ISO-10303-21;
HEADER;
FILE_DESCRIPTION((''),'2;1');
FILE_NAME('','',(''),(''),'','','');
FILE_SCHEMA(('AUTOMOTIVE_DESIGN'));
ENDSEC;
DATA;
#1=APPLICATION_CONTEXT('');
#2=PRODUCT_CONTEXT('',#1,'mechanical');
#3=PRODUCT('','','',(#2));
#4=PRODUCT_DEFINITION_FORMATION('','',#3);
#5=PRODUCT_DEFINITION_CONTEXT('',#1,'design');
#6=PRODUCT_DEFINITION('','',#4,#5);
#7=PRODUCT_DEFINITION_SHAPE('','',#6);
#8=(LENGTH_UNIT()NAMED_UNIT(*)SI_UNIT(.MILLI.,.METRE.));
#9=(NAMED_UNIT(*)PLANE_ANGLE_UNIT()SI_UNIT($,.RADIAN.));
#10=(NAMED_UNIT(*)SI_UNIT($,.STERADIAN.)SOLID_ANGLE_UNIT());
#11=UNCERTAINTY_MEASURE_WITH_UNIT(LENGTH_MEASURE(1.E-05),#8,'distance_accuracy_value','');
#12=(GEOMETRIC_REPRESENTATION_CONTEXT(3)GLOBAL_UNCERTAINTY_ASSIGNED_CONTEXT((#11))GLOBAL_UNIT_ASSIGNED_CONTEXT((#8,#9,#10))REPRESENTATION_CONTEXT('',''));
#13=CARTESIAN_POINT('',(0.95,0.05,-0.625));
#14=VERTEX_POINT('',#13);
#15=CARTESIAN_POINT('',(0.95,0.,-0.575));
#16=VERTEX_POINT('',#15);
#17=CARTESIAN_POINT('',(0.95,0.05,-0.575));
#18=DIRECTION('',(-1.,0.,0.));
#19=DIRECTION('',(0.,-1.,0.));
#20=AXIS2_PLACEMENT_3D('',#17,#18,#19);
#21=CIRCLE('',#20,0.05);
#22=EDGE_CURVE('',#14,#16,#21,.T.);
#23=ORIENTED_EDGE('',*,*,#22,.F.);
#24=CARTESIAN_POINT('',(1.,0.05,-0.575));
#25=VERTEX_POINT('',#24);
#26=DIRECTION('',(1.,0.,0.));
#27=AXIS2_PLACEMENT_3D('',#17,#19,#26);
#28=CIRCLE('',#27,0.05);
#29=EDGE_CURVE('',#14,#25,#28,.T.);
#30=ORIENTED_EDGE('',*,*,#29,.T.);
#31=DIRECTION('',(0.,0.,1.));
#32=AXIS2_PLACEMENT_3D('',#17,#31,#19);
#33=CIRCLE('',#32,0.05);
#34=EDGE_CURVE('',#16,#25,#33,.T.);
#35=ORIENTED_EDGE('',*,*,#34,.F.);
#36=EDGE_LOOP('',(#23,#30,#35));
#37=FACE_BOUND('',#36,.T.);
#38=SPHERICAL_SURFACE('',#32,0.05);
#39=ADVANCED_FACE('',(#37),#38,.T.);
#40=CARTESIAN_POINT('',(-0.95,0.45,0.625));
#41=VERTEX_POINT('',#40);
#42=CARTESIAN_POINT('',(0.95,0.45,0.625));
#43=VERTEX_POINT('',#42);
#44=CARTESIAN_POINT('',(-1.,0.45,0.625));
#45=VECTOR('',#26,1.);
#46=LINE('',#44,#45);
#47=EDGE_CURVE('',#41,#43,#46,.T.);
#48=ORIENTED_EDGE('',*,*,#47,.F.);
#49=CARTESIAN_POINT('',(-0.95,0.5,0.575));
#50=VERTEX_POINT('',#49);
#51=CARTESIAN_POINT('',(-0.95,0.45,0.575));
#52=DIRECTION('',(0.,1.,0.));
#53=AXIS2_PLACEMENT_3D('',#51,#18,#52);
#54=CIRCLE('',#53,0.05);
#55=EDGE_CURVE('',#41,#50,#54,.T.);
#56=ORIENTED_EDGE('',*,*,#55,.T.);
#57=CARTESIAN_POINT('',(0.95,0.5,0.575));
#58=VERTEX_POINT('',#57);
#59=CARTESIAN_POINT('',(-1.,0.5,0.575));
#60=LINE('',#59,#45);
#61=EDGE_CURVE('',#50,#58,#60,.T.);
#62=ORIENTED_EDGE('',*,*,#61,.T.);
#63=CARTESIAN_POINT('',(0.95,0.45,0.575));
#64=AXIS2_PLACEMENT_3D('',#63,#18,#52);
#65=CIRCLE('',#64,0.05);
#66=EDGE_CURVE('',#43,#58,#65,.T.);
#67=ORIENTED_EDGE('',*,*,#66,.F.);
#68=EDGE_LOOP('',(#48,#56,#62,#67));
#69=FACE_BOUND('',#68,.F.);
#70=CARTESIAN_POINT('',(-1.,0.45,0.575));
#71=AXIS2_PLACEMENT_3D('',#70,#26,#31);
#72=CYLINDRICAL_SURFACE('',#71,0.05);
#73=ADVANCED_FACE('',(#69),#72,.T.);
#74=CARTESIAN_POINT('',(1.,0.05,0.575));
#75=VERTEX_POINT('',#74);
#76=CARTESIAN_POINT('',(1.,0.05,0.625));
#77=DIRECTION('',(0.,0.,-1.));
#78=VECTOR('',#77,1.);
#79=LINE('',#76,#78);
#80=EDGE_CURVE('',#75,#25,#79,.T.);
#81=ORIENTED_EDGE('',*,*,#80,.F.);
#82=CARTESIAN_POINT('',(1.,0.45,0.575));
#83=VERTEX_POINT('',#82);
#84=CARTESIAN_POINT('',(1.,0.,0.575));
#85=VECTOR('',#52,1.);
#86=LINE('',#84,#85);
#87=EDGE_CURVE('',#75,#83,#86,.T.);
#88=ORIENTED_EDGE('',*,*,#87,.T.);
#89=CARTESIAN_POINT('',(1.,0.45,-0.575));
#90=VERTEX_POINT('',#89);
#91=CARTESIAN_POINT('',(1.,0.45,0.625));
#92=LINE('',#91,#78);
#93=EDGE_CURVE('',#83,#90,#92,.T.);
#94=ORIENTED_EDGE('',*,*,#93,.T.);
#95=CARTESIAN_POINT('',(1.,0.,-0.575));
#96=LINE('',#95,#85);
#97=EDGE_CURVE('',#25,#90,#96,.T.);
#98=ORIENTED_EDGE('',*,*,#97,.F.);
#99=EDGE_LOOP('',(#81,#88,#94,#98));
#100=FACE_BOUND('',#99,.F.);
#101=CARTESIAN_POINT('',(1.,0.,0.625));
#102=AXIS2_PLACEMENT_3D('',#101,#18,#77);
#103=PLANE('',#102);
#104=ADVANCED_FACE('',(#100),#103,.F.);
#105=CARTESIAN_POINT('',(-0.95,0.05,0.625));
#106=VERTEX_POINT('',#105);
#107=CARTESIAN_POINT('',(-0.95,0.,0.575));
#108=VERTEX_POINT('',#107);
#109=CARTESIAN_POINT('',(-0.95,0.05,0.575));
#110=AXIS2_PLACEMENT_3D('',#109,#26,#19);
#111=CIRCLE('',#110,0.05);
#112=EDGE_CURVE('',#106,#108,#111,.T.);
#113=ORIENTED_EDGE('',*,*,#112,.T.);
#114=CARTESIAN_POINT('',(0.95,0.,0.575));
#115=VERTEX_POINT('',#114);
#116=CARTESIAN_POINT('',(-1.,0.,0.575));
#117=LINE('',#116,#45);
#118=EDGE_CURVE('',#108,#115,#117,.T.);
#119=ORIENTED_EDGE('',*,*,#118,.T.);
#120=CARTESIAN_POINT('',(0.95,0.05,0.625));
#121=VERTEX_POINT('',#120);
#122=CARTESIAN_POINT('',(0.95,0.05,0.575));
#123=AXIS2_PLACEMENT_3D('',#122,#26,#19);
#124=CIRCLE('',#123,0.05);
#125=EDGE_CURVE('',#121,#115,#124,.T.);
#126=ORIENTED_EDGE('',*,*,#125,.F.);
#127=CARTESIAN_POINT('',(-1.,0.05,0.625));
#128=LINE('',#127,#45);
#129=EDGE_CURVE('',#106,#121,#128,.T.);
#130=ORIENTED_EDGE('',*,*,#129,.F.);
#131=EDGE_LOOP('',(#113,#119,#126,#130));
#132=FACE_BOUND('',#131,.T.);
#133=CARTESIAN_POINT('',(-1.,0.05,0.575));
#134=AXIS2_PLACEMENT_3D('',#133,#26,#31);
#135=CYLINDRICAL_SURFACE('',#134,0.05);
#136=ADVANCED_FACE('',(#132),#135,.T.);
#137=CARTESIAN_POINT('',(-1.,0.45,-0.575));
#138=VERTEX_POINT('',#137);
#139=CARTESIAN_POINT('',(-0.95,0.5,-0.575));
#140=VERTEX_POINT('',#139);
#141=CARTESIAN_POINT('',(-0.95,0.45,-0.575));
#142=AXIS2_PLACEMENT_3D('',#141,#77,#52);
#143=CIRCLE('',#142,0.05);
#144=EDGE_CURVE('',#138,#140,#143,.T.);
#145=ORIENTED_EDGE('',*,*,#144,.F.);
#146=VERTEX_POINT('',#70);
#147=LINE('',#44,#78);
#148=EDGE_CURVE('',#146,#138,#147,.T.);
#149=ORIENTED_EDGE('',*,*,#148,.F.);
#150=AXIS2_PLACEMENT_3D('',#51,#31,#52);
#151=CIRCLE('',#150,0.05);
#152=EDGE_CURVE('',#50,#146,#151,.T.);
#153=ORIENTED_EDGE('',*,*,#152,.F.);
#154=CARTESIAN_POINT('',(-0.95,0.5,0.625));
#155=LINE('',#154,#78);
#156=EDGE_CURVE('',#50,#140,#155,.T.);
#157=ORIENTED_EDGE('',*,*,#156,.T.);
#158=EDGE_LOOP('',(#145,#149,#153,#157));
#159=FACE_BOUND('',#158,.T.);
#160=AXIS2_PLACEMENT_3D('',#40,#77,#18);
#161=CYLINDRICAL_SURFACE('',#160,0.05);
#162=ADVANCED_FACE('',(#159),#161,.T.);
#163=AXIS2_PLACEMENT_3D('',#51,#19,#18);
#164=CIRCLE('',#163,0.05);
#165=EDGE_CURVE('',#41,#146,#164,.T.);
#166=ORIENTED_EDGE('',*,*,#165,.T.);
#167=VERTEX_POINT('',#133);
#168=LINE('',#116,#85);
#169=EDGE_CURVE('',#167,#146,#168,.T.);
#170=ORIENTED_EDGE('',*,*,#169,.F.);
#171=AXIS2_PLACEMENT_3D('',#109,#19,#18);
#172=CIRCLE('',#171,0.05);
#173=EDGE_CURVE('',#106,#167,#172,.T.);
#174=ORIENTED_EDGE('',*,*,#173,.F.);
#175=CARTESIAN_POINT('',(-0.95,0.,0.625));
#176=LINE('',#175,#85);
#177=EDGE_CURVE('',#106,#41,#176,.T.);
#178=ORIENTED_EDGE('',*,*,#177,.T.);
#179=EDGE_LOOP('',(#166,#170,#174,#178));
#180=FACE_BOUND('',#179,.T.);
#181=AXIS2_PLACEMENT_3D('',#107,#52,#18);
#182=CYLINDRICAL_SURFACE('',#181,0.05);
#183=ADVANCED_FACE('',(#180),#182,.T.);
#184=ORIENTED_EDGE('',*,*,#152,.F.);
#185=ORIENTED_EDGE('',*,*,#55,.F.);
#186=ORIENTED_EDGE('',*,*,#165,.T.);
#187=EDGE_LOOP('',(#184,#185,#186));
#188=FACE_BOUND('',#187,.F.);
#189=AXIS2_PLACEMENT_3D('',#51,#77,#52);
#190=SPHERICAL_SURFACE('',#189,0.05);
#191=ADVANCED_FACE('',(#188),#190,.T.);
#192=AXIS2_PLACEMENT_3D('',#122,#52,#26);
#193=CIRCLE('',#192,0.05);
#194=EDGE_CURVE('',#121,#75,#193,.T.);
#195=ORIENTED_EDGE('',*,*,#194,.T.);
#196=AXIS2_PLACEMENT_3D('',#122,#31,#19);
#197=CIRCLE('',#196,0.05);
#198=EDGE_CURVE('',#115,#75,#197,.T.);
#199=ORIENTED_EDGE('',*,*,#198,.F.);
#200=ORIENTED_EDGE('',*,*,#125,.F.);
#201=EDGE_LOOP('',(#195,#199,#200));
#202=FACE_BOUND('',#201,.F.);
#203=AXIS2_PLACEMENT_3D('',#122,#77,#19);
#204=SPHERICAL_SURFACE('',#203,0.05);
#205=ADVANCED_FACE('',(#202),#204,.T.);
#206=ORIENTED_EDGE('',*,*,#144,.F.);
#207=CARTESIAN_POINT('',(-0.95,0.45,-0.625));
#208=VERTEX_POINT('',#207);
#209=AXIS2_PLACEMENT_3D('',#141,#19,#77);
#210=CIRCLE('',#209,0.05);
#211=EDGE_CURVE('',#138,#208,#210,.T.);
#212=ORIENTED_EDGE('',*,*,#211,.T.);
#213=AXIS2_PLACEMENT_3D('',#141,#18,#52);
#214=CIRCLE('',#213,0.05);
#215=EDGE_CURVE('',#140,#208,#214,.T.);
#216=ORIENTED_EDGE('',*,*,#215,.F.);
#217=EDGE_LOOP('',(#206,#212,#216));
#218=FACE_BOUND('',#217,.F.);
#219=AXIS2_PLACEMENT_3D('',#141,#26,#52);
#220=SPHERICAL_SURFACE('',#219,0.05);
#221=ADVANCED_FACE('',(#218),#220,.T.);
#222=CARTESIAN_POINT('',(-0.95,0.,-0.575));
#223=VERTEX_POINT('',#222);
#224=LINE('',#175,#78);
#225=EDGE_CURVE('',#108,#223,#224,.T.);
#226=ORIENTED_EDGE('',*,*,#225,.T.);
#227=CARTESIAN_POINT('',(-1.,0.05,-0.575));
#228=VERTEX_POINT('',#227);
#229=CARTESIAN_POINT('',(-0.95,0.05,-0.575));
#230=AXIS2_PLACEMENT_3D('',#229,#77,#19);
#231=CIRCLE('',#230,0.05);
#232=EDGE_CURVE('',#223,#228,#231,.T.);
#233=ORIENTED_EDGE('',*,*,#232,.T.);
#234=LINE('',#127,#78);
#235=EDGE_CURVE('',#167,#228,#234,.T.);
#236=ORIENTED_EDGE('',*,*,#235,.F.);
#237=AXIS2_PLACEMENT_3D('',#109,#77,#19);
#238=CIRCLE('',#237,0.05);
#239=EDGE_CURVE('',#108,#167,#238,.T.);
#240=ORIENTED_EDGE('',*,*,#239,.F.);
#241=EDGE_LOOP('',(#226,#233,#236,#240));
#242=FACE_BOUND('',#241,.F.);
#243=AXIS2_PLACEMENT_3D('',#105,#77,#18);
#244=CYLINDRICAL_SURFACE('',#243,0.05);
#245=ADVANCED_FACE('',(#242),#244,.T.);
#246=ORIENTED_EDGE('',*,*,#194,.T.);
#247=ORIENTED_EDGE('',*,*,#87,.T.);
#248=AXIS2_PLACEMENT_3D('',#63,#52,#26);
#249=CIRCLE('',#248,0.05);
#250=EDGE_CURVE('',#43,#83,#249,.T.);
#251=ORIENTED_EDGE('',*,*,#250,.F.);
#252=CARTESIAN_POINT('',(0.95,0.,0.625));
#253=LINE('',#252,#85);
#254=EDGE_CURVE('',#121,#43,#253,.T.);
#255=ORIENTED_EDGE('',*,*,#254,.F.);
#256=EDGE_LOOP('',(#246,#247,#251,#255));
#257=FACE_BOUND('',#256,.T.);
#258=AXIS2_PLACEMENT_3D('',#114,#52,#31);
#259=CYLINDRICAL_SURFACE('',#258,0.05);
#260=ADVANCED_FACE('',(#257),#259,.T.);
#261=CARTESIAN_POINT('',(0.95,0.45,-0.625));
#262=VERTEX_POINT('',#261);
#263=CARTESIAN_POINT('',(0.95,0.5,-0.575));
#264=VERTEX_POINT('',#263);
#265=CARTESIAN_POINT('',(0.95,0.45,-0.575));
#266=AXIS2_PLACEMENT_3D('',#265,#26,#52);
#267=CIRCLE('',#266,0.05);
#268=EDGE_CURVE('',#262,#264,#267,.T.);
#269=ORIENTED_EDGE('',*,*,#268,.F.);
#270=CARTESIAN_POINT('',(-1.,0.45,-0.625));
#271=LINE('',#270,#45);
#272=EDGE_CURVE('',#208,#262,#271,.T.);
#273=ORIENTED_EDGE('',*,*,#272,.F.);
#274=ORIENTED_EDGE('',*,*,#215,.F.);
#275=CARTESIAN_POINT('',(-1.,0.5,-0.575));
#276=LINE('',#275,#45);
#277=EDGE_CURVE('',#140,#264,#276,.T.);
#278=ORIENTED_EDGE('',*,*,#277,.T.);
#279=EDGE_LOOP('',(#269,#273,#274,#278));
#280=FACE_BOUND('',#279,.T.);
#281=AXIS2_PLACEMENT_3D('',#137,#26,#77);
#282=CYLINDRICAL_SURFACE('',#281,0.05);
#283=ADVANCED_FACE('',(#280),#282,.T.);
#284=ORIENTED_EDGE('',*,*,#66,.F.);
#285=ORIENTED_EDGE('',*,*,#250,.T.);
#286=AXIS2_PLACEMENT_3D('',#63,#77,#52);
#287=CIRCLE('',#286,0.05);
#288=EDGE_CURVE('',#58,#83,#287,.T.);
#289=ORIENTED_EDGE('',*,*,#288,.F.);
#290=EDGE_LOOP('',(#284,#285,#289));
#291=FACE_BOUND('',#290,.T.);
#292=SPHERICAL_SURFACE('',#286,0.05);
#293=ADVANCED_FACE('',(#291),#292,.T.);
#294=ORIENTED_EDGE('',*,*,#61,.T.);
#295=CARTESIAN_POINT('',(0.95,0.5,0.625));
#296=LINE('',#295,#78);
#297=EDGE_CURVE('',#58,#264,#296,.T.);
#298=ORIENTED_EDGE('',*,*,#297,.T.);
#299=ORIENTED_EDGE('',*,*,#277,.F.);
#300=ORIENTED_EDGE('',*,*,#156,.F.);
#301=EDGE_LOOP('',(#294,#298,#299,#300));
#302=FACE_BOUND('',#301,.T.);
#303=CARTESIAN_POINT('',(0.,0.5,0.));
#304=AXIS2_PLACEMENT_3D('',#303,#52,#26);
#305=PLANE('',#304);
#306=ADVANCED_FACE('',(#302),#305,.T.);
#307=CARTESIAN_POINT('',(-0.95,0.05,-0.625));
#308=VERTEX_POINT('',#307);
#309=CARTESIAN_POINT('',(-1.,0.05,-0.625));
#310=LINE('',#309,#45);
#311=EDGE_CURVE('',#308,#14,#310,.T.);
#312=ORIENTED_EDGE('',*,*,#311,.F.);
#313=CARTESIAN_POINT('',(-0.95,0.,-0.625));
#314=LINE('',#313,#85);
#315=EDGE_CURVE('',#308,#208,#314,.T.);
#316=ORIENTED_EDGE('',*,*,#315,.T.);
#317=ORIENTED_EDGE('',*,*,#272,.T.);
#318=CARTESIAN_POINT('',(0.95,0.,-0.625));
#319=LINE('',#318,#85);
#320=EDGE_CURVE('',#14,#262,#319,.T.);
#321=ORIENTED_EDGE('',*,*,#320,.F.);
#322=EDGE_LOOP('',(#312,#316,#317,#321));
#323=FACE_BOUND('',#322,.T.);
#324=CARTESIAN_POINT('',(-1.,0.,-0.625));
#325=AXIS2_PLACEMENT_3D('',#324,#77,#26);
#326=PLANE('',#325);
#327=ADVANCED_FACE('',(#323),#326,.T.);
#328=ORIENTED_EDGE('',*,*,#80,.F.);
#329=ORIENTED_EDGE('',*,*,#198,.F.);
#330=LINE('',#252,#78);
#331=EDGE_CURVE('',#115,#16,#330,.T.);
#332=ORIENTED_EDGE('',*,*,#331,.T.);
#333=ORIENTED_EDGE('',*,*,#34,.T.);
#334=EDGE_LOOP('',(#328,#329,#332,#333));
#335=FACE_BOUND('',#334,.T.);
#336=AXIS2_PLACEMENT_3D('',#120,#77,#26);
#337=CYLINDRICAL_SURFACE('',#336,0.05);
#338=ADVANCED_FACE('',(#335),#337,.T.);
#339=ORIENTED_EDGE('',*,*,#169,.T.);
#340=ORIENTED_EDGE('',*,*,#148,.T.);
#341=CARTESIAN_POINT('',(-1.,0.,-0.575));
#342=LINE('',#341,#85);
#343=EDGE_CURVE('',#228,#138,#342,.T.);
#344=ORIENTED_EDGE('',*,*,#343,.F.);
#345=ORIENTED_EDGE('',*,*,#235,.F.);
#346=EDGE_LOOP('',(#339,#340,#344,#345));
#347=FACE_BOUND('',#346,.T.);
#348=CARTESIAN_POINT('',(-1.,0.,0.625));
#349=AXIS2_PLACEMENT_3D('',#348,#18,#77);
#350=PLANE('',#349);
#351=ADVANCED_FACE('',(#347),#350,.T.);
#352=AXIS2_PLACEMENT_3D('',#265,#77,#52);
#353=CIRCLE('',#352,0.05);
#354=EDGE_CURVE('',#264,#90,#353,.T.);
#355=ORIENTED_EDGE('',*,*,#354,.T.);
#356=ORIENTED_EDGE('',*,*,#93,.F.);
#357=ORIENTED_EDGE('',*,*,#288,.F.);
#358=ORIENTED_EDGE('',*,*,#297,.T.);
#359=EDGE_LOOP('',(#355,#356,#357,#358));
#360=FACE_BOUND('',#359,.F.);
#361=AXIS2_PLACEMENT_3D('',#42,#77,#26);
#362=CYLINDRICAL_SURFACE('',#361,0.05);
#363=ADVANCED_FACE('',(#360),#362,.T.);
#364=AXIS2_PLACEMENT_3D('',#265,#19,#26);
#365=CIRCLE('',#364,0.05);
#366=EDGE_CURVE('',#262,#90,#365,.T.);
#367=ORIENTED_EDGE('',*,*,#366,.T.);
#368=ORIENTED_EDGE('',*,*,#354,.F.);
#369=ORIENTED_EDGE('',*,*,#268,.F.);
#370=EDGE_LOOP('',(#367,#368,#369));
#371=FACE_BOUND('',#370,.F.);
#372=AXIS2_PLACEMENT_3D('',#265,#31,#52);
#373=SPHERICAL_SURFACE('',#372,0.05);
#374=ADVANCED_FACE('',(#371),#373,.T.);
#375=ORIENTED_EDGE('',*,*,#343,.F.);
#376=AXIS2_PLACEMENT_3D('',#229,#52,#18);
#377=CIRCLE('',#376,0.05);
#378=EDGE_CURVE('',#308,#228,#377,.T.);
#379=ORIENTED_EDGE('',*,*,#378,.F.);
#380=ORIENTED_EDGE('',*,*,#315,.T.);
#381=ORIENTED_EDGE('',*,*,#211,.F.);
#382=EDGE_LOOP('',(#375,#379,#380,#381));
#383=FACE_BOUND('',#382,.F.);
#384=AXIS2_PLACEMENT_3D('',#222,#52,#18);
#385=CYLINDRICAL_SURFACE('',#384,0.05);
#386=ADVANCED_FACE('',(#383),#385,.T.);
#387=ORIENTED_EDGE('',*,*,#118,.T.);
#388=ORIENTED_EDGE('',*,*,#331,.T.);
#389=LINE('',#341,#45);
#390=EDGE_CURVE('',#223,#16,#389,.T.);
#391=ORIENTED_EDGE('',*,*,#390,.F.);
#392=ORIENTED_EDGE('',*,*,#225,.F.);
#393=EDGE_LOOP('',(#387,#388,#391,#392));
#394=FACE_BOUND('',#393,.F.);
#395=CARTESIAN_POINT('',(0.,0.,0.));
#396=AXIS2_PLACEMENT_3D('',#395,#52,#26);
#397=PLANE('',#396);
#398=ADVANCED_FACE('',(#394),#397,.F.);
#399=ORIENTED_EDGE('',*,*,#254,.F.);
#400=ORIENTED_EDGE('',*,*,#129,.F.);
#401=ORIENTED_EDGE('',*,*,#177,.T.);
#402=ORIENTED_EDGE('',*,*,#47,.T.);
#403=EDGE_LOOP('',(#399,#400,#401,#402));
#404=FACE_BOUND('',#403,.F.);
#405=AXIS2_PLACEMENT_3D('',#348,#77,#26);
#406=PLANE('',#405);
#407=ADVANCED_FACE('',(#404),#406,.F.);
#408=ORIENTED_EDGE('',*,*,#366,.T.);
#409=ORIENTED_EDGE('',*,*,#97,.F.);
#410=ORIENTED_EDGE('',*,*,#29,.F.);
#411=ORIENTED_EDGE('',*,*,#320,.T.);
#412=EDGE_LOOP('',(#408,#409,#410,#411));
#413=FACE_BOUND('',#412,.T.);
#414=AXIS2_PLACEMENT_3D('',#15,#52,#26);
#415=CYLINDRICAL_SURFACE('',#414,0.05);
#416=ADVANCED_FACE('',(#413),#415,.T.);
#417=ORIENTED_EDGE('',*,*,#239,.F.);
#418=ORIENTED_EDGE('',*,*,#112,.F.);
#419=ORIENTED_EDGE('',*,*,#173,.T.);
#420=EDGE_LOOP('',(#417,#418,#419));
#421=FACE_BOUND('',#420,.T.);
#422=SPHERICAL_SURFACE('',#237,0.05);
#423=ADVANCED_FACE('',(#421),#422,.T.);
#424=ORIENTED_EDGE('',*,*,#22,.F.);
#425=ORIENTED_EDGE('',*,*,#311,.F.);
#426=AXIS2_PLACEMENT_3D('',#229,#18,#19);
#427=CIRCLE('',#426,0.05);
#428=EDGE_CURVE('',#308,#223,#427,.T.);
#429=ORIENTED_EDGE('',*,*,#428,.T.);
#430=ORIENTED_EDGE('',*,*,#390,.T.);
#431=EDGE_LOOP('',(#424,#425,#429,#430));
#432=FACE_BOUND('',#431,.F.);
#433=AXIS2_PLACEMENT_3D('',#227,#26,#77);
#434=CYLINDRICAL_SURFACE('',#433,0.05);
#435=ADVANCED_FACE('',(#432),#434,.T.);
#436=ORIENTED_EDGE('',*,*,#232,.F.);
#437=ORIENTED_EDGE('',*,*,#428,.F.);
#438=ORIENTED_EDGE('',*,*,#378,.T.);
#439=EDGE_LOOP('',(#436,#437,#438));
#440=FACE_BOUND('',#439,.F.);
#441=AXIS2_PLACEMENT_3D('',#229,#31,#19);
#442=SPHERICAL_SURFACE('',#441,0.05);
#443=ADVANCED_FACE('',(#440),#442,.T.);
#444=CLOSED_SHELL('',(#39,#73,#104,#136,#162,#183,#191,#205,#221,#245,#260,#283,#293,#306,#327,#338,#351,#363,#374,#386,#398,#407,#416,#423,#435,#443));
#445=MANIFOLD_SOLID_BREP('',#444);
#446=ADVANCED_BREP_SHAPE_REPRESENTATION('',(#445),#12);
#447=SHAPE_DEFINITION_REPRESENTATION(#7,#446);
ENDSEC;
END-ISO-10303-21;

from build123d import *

# Parameters (mm, degrees)
SKETCH1_W           = 2
SKETCH1_H           = 1.25
BOSS_EXTRUDE1_DEPTH = 0.5
FILLET1_R           = 0.05


with BuildPart() as part:
    # Sketch1 → Boss-Extrude1 (new body)
    with BuildSketch(Plane(origin=(0, 0, 0), x_dir=(1, 0, 0), z_dir=(0, 1, 0))):
        Rectangle(SKETCH1_W, SKETCH1_H)
    extrude(amount=BOSS_EXTRUDE1_DEPTH)

    # Fillet1
    fillet1_edges = [part.edges().sort_by_distance(p)[0] for p in [
        (1, 0.5, 0),
        (0, 0.5, -0.625),
        (1, 0, 0),
        (1, 0, 0),
        (1, 0.5, 0),
        (1, 0.5, 0),
        (1, 0, 0),
        (1, 0, 0),
        (1, 0.5, 0),
        (1, 0.5, 0),
        (-1, 0, 0),
        (-1, 0, 0),
        (-1, 0.5, 0),
        (-1, 0.5, 0),
        (-1, 0.5, 0),
        (-1, 0.5, 0),
        (-1, 0, 0),
        (-1, 0, 0),
        (-1, 0.5, 0),
        (0, 0, -0.625),
        (1, 0, 0),
        (0, 0, 0.625),
        (-1, 0, 0),
        (0, 0.5, 0.625),
        (-1, 0.25, -0.625),
        (1, 0.25, -0.625),
        (1, 0.25, 0.625),
        (-1, 0.25, 0.625),
    ]]
    fillet(fillet1_edges, radius=FILLET1_R)


solid = part.part
